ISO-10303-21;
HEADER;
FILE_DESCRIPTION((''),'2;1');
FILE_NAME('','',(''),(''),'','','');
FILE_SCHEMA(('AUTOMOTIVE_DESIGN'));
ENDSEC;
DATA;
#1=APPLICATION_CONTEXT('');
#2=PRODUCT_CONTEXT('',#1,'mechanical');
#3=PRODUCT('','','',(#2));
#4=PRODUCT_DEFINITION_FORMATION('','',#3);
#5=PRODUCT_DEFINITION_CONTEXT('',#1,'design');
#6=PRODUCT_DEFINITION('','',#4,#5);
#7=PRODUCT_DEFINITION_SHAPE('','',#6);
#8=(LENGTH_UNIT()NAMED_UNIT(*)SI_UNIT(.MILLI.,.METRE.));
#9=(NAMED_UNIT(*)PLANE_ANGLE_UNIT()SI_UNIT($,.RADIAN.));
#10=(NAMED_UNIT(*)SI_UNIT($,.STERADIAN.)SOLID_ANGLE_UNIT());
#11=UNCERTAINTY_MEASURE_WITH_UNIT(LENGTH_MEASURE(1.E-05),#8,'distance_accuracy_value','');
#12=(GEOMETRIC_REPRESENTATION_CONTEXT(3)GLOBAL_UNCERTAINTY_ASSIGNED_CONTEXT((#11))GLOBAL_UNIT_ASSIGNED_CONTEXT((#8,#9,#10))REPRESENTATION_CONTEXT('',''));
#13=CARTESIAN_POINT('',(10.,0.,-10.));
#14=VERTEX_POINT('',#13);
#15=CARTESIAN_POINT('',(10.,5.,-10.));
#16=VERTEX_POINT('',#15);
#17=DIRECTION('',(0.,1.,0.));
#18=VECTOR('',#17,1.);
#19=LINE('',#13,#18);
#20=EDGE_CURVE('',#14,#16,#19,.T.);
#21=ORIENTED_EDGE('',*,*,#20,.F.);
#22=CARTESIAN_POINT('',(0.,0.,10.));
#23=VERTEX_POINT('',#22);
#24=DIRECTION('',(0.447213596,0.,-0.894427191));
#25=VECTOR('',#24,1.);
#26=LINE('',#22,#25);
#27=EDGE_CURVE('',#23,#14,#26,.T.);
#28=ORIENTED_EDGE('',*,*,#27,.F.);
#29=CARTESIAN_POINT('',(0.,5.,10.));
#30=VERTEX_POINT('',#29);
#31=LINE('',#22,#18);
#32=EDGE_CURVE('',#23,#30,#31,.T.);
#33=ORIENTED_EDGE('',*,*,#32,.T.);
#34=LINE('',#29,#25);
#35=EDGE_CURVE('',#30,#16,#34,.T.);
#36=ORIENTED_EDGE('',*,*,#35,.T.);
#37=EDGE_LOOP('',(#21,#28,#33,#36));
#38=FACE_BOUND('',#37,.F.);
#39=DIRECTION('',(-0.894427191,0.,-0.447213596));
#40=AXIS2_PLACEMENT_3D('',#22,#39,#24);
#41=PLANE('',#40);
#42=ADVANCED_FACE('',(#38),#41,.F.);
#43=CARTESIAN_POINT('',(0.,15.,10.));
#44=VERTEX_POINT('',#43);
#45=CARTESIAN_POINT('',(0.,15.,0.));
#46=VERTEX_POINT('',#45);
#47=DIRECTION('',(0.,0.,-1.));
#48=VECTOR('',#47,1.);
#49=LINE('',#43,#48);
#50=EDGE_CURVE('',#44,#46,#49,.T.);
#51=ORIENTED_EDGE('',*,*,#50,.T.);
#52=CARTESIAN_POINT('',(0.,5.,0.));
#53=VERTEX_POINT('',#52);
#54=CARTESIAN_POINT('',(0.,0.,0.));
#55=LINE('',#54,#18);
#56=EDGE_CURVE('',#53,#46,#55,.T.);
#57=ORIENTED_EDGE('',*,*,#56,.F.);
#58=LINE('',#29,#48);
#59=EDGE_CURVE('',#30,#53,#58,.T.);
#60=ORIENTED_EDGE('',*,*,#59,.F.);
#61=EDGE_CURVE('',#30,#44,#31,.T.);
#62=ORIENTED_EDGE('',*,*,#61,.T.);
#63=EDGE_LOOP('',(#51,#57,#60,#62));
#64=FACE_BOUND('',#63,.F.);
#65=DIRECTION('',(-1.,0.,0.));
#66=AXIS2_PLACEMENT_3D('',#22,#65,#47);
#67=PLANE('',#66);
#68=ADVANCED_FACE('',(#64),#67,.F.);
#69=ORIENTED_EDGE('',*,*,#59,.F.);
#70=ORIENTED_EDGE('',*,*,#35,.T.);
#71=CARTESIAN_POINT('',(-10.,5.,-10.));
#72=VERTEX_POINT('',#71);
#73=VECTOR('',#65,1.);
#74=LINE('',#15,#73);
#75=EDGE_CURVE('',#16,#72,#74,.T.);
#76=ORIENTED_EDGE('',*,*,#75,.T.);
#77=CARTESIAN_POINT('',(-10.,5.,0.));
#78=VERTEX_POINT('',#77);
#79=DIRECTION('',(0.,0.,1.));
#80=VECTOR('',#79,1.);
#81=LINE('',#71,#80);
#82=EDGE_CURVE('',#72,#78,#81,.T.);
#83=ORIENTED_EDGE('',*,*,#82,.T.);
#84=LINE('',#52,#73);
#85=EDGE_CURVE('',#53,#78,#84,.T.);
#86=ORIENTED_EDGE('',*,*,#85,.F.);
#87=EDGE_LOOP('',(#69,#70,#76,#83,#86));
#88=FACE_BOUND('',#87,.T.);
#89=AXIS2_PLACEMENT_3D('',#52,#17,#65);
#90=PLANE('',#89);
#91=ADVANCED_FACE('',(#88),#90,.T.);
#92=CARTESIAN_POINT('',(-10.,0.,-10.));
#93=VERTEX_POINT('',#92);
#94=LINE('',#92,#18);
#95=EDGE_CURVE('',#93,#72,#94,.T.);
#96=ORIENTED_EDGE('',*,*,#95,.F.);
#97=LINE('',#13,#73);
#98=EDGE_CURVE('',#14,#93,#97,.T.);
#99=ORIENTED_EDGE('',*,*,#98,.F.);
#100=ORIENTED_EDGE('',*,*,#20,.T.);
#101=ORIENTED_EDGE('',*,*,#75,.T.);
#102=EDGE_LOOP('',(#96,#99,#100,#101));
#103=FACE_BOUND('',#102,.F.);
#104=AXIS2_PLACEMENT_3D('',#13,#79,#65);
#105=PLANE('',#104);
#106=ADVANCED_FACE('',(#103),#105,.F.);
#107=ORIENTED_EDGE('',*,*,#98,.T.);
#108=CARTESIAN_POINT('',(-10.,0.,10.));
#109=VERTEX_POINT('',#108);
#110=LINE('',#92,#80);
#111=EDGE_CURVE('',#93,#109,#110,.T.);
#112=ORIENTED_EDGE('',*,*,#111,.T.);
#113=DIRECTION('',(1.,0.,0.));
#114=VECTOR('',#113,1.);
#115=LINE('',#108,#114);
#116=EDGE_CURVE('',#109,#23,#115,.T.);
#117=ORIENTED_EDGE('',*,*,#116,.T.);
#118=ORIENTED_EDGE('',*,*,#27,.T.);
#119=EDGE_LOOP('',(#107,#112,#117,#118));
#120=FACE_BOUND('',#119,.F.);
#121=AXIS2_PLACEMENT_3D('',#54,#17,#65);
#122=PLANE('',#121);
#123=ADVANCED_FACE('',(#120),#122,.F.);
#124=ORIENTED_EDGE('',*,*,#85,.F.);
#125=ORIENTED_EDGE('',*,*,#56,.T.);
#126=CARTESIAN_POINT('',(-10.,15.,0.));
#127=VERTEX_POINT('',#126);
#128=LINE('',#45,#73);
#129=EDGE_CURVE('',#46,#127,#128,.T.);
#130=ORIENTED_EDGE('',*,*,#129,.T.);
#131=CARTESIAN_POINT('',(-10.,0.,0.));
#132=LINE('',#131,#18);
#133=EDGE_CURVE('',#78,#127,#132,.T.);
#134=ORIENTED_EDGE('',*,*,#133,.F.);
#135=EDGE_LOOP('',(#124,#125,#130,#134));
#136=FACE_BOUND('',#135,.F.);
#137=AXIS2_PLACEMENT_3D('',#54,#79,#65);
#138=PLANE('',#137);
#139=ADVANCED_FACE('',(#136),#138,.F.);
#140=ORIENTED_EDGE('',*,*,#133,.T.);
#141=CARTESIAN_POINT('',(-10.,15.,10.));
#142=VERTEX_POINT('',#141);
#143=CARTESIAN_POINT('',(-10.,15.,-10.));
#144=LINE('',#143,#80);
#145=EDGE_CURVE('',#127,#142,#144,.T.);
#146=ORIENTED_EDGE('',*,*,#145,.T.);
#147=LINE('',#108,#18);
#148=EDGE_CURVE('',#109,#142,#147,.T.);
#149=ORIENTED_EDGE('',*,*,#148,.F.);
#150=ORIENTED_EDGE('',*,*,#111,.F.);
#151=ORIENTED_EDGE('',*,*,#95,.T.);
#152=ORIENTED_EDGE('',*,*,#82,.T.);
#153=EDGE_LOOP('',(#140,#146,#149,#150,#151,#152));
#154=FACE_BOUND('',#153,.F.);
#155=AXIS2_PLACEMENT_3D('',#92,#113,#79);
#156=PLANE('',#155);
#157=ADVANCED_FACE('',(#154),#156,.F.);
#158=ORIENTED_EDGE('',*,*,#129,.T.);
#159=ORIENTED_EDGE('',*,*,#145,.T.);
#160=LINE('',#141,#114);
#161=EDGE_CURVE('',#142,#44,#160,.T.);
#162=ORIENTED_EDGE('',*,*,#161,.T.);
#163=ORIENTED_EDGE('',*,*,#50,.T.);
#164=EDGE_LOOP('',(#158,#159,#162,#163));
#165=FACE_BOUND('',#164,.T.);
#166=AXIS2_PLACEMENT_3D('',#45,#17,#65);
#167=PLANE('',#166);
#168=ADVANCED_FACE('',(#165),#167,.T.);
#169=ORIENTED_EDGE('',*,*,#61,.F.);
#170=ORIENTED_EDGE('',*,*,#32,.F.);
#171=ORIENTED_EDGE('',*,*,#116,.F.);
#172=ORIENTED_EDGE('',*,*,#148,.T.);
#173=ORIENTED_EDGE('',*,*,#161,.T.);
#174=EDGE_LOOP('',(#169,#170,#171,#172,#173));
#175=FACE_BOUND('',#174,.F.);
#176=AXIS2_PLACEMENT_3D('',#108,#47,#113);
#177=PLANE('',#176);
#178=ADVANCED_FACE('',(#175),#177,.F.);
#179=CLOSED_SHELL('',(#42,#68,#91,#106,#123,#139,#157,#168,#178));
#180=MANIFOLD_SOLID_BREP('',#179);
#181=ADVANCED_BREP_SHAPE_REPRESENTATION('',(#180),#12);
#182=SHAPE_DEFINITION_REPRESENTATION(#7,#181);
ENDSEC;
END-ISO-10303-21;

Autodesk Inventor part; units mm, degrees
ref_plane "YZ Plane" through (0, 0, 0) normal (1, 0, 0) x (0, 1, 0)
ref_plane "XZ Plane" through (0, 0, 0) normal (0, 1, 0) x (-1, 0, 0)
ref_plane "XY Plane" through (0, 0, 0) normal (0, 0, 1) x (1, 0, 0)
sketch "草圖1" plane through (0, 0, 0) normal (0, 1, 0) x (-1, 0, 0)
  line L0 (10, 10) -> (0, 10)
  line L1 (-10, 10) -> (-10, -10) construction
  line L2 (-10, -10) -> (10, -10)
  line L3 (10, -10) -> (10, 10)
  line L4 (10, 10) -> (0, 10)
  line L5 (0, 10) -> (0, 0)
  line L6 (0, 0) -> (10, 0)
  line L7 (10, 0) -> (10, 10)
  line L8 (0, 10) -> (-10, -10)
  line L9 (0, 10) -> (-10, 10) construction
  point P0 (0, -10)
  point P1 (10, 0)
  dimension "d0" = 20
extrude "擠出1" add sketch "草圖1" along normal blind 5 contours L5 L6 L3 L2 L8
extrude "擠出2" add sketch "草圖1" along normal blind 15 contours L3 L6 L5 L0
properties part number "3"
